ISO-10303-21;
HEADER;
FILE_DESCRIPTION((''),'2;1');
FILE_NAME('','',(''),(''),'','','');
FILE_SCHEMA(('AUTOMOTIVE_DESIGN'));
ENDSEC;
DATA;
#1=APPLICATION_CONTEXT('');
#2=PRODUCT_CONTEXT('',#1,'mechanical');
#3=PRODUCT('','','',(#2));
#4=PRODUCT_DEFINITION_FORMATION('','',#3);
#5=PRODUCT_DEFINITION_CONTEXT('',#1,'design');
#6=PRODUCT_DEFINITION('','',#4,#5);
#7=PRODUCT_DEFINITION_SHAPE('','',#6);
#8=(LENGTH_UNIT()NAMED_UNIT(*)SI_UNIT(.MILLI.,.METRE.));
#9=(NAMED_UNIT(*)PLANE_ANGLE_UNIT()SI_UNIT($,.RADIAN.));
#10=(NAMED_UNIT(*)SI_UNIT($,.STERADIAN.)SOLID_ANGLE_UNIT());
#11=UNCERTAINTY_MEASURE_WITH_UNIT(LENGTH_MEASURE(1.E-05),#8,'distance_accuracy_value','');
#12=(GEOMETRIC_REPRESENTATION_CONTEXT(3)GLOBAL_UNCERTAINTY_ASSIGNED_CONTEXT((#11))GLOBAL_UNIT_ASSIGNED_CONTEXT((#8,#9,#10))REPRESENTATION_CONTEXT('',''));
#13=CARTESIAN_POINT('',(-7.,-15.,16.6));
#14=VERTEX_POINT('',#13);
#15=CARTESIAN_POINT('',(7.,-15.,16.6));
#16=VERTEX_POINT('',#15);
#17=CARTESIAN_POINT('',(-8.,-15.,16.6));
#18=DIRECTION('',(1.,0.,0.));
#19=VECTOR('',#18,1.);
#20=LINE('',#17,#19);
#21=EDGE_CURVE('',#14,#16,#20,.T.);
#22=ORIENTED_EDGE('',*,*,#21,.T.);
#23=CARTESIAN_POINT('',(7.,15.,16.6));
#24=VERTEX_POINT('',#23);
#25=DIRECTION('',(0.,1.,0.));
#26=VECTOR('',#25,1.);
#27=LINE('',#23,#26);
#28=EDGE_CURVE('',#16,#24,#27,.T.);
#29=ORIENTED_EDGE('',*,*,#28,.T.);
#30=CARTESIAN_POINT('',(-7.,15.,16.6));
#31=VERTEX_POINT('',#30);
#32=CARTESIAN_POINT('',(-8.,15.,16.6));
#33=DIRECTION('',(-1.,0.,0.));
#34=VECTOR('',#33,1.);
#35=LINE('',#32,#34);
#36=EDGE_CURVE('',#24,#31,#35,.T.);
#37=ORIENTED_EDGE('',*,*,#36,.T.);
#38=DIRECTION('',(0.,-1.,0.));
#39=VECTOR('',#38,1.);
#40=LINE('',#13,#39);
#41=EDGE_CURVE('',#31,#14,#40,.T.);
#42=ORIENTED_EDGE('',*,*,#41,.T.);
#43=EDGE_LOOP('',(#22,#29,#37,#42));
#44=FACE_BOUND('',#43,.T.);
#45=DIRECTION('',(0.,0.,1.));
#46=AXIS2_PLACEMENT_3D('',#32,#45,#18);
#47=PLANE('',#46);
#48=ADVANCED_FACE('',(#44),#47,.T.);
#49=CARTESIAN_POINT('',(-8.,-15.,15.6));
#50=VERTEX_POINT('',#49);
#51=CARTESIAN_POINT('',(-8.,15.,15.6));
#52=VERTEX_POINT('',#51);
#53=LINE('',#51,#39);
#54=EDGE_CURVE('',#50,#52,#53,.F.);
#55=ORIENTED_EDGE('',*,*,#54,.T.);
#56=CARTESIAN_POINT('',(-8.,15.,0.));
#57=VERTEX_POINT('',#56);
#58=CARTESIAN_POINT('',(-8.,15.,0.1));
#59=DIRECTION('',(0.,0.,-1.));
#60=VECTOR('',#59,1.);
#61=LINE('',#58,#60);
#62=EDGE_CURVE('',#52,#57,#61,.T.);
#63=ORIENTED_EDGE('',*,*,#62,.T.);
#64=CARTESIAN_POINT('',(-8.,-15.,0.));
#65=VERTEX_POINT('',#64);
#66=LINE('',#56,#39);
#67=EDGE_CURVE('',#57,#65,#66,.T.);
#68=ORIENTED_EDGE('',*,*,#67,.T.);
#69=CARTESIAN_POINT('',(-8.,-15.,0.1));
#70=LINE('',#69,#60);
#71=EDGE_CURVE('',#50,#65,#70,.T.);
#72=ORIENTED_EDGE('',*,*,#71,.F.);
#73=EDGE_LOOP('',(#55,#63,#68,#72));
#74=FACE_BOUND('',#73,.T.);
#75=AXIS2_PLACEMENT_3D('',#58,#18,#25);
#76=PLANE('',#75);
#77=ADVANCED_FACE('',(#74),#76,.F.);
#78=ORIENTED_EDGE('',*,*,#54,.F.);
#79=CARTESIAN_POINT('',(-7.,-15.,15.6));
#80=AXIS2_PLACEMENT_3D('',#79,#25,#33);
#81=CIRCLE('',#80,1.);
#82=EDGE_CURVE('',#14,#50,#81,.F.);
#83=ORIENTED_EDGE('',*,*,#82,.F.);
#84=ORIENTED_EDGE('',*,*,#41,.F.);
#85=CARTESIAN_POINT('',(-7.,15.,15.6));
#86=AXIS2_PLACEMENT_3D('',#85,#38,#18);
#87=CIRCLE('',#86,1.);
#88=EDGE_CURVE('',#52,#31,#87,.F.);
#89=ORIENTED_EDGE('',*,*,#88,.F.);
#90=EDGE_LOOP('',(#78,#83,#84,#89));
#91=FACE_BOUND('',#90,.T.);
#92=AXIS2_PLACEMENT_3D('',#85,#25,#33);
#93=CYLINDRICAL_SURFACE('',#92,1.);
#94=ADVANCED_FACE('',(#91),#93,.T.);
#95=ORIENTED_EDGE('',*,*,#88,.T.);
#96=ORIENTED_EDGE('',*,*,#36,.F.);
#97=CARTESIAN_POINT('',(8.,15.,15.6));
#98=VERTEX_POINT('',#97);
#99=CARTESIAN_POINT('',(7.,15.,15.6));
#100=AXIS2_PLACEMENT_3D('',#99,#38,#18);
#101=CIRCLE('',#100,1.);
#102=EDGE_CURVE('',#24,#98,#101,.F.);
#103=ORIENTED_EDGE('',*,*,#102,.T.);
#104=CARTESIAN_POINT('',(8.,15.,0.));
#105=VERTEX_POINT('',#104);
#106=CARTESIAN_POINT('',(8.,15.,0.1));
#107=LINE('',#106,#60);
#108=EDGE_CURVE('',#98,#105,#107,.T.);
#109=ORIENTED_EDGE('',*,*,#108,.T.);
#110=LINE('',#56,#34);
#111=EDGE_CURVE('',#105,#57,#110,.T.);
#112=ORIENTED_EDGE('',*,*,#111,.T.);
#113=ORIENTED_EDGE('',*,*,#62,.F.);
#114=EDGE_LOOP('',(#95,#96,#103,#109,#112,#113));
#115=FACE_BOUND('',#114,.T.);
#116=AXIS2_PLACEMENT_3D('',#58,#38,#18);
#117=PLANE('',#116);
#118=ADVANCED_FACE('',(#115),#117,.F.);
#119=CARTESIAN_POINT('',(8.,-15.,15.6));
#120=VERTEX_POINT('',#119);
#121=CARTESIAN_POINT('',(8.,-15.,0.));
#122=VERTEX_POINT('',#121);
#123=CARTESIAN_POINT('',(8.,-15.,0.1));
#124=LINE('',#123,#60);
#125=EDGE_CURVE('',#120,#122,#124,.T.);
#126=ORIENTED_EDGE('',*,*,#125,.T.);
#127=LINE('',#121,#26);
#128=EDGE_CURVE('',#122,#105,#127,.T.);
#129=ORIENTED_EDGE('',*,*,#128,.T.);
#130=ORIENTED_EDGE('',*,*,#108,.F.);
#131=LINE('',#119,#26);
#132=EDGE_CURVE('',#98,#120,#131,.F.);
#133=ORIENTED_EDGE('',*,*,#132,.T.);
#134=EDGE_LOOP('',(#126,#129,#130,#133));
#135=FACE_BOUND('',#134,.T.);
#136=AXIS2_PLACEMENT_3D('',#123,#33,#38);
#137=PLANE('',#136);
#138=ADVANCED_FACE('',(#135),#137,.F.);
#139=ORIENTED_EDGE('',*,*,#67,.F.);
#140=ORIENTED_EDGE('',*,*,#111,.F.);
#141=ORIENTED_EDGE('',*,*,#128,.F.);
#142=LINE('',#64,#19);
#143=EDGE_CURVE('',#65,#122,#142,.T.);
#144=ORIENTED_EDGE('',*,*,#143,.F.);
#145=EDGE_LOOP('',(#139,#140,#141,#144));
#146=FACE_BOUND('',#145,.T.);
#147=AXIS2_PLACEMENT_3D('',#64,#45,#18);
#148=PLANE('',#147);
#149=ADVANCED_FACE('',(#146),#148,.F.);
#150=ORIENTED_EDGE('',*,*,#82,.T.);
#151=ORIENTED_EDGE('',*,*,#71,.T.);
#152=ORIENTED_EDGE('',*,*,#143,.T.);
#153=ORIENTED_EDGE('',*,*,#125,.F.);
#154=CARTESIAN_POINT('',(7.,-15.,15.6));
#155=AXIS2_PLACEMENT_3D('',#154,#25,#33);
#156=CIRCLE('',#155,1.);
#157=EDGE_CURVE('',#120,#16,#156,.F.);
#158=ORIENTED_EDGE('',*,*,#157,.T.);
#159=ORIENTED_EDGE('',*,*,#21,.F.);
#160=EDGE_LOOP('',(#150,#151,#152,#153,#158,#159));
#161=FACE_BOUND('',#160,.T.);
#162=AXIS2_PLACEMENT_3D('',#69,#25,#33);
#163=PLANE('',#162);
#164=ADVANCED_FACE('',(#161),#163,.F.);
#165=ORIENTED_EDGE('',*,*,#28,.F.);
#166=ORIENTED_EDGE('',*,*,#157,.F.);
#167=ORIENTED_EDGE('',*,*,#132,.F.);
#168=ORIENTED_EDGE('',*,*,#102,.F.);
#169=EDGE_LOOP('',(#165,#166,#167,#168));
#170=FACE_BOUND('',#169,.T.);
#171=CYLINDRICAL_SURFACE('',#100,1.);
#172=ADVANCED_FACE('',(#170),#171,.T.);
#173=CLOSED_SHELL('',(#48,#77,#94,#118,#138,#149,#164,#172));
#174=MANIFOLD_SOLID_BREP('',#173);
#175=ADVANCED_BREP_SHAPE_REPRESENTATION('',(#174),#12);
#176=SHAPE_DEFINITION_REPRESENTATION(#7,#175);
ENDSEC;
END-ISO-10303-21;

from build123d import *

# Parameters (mm, degrees)
SKETCH_1_W      = 16
SKETCH_1_H      = 30
EXTRUDE_1_DEPTH = 0.1
SKETCH_2_W      = 16
SKETCH_2_H      = 30
EXTRUDE_2_DEPTH = 16.5
FILLET_1_R      = 1


with BuildPart() as part:
    # 草图1 → 拉伸1 (new body)
    with BuildSketch(Plane.XY):
        Rectangle(SKETCH_1_W, SKETCH_1_H)
    extrude(amount=EXTRUDE_1_DEPTH)

    # 草图2 → 拉伸2 (add)
    with BuildSketch(Plane.XY.offset(0.1)):
        Rectangle(SKETCH_2_W, SKETCH_2_H)
    extrude(amount=EXTRUDE_2_DEPTH)

    # 圆角1
    fillet_1_edges = [part.edges().sort_by_distance(p)[0] for p in [
        (-8, 0, 16.6),
        (8, 0, 16.6),
    ]]
    fillet(fillet_1_edges, radius=FILLET_1_R)


solid = part.part
